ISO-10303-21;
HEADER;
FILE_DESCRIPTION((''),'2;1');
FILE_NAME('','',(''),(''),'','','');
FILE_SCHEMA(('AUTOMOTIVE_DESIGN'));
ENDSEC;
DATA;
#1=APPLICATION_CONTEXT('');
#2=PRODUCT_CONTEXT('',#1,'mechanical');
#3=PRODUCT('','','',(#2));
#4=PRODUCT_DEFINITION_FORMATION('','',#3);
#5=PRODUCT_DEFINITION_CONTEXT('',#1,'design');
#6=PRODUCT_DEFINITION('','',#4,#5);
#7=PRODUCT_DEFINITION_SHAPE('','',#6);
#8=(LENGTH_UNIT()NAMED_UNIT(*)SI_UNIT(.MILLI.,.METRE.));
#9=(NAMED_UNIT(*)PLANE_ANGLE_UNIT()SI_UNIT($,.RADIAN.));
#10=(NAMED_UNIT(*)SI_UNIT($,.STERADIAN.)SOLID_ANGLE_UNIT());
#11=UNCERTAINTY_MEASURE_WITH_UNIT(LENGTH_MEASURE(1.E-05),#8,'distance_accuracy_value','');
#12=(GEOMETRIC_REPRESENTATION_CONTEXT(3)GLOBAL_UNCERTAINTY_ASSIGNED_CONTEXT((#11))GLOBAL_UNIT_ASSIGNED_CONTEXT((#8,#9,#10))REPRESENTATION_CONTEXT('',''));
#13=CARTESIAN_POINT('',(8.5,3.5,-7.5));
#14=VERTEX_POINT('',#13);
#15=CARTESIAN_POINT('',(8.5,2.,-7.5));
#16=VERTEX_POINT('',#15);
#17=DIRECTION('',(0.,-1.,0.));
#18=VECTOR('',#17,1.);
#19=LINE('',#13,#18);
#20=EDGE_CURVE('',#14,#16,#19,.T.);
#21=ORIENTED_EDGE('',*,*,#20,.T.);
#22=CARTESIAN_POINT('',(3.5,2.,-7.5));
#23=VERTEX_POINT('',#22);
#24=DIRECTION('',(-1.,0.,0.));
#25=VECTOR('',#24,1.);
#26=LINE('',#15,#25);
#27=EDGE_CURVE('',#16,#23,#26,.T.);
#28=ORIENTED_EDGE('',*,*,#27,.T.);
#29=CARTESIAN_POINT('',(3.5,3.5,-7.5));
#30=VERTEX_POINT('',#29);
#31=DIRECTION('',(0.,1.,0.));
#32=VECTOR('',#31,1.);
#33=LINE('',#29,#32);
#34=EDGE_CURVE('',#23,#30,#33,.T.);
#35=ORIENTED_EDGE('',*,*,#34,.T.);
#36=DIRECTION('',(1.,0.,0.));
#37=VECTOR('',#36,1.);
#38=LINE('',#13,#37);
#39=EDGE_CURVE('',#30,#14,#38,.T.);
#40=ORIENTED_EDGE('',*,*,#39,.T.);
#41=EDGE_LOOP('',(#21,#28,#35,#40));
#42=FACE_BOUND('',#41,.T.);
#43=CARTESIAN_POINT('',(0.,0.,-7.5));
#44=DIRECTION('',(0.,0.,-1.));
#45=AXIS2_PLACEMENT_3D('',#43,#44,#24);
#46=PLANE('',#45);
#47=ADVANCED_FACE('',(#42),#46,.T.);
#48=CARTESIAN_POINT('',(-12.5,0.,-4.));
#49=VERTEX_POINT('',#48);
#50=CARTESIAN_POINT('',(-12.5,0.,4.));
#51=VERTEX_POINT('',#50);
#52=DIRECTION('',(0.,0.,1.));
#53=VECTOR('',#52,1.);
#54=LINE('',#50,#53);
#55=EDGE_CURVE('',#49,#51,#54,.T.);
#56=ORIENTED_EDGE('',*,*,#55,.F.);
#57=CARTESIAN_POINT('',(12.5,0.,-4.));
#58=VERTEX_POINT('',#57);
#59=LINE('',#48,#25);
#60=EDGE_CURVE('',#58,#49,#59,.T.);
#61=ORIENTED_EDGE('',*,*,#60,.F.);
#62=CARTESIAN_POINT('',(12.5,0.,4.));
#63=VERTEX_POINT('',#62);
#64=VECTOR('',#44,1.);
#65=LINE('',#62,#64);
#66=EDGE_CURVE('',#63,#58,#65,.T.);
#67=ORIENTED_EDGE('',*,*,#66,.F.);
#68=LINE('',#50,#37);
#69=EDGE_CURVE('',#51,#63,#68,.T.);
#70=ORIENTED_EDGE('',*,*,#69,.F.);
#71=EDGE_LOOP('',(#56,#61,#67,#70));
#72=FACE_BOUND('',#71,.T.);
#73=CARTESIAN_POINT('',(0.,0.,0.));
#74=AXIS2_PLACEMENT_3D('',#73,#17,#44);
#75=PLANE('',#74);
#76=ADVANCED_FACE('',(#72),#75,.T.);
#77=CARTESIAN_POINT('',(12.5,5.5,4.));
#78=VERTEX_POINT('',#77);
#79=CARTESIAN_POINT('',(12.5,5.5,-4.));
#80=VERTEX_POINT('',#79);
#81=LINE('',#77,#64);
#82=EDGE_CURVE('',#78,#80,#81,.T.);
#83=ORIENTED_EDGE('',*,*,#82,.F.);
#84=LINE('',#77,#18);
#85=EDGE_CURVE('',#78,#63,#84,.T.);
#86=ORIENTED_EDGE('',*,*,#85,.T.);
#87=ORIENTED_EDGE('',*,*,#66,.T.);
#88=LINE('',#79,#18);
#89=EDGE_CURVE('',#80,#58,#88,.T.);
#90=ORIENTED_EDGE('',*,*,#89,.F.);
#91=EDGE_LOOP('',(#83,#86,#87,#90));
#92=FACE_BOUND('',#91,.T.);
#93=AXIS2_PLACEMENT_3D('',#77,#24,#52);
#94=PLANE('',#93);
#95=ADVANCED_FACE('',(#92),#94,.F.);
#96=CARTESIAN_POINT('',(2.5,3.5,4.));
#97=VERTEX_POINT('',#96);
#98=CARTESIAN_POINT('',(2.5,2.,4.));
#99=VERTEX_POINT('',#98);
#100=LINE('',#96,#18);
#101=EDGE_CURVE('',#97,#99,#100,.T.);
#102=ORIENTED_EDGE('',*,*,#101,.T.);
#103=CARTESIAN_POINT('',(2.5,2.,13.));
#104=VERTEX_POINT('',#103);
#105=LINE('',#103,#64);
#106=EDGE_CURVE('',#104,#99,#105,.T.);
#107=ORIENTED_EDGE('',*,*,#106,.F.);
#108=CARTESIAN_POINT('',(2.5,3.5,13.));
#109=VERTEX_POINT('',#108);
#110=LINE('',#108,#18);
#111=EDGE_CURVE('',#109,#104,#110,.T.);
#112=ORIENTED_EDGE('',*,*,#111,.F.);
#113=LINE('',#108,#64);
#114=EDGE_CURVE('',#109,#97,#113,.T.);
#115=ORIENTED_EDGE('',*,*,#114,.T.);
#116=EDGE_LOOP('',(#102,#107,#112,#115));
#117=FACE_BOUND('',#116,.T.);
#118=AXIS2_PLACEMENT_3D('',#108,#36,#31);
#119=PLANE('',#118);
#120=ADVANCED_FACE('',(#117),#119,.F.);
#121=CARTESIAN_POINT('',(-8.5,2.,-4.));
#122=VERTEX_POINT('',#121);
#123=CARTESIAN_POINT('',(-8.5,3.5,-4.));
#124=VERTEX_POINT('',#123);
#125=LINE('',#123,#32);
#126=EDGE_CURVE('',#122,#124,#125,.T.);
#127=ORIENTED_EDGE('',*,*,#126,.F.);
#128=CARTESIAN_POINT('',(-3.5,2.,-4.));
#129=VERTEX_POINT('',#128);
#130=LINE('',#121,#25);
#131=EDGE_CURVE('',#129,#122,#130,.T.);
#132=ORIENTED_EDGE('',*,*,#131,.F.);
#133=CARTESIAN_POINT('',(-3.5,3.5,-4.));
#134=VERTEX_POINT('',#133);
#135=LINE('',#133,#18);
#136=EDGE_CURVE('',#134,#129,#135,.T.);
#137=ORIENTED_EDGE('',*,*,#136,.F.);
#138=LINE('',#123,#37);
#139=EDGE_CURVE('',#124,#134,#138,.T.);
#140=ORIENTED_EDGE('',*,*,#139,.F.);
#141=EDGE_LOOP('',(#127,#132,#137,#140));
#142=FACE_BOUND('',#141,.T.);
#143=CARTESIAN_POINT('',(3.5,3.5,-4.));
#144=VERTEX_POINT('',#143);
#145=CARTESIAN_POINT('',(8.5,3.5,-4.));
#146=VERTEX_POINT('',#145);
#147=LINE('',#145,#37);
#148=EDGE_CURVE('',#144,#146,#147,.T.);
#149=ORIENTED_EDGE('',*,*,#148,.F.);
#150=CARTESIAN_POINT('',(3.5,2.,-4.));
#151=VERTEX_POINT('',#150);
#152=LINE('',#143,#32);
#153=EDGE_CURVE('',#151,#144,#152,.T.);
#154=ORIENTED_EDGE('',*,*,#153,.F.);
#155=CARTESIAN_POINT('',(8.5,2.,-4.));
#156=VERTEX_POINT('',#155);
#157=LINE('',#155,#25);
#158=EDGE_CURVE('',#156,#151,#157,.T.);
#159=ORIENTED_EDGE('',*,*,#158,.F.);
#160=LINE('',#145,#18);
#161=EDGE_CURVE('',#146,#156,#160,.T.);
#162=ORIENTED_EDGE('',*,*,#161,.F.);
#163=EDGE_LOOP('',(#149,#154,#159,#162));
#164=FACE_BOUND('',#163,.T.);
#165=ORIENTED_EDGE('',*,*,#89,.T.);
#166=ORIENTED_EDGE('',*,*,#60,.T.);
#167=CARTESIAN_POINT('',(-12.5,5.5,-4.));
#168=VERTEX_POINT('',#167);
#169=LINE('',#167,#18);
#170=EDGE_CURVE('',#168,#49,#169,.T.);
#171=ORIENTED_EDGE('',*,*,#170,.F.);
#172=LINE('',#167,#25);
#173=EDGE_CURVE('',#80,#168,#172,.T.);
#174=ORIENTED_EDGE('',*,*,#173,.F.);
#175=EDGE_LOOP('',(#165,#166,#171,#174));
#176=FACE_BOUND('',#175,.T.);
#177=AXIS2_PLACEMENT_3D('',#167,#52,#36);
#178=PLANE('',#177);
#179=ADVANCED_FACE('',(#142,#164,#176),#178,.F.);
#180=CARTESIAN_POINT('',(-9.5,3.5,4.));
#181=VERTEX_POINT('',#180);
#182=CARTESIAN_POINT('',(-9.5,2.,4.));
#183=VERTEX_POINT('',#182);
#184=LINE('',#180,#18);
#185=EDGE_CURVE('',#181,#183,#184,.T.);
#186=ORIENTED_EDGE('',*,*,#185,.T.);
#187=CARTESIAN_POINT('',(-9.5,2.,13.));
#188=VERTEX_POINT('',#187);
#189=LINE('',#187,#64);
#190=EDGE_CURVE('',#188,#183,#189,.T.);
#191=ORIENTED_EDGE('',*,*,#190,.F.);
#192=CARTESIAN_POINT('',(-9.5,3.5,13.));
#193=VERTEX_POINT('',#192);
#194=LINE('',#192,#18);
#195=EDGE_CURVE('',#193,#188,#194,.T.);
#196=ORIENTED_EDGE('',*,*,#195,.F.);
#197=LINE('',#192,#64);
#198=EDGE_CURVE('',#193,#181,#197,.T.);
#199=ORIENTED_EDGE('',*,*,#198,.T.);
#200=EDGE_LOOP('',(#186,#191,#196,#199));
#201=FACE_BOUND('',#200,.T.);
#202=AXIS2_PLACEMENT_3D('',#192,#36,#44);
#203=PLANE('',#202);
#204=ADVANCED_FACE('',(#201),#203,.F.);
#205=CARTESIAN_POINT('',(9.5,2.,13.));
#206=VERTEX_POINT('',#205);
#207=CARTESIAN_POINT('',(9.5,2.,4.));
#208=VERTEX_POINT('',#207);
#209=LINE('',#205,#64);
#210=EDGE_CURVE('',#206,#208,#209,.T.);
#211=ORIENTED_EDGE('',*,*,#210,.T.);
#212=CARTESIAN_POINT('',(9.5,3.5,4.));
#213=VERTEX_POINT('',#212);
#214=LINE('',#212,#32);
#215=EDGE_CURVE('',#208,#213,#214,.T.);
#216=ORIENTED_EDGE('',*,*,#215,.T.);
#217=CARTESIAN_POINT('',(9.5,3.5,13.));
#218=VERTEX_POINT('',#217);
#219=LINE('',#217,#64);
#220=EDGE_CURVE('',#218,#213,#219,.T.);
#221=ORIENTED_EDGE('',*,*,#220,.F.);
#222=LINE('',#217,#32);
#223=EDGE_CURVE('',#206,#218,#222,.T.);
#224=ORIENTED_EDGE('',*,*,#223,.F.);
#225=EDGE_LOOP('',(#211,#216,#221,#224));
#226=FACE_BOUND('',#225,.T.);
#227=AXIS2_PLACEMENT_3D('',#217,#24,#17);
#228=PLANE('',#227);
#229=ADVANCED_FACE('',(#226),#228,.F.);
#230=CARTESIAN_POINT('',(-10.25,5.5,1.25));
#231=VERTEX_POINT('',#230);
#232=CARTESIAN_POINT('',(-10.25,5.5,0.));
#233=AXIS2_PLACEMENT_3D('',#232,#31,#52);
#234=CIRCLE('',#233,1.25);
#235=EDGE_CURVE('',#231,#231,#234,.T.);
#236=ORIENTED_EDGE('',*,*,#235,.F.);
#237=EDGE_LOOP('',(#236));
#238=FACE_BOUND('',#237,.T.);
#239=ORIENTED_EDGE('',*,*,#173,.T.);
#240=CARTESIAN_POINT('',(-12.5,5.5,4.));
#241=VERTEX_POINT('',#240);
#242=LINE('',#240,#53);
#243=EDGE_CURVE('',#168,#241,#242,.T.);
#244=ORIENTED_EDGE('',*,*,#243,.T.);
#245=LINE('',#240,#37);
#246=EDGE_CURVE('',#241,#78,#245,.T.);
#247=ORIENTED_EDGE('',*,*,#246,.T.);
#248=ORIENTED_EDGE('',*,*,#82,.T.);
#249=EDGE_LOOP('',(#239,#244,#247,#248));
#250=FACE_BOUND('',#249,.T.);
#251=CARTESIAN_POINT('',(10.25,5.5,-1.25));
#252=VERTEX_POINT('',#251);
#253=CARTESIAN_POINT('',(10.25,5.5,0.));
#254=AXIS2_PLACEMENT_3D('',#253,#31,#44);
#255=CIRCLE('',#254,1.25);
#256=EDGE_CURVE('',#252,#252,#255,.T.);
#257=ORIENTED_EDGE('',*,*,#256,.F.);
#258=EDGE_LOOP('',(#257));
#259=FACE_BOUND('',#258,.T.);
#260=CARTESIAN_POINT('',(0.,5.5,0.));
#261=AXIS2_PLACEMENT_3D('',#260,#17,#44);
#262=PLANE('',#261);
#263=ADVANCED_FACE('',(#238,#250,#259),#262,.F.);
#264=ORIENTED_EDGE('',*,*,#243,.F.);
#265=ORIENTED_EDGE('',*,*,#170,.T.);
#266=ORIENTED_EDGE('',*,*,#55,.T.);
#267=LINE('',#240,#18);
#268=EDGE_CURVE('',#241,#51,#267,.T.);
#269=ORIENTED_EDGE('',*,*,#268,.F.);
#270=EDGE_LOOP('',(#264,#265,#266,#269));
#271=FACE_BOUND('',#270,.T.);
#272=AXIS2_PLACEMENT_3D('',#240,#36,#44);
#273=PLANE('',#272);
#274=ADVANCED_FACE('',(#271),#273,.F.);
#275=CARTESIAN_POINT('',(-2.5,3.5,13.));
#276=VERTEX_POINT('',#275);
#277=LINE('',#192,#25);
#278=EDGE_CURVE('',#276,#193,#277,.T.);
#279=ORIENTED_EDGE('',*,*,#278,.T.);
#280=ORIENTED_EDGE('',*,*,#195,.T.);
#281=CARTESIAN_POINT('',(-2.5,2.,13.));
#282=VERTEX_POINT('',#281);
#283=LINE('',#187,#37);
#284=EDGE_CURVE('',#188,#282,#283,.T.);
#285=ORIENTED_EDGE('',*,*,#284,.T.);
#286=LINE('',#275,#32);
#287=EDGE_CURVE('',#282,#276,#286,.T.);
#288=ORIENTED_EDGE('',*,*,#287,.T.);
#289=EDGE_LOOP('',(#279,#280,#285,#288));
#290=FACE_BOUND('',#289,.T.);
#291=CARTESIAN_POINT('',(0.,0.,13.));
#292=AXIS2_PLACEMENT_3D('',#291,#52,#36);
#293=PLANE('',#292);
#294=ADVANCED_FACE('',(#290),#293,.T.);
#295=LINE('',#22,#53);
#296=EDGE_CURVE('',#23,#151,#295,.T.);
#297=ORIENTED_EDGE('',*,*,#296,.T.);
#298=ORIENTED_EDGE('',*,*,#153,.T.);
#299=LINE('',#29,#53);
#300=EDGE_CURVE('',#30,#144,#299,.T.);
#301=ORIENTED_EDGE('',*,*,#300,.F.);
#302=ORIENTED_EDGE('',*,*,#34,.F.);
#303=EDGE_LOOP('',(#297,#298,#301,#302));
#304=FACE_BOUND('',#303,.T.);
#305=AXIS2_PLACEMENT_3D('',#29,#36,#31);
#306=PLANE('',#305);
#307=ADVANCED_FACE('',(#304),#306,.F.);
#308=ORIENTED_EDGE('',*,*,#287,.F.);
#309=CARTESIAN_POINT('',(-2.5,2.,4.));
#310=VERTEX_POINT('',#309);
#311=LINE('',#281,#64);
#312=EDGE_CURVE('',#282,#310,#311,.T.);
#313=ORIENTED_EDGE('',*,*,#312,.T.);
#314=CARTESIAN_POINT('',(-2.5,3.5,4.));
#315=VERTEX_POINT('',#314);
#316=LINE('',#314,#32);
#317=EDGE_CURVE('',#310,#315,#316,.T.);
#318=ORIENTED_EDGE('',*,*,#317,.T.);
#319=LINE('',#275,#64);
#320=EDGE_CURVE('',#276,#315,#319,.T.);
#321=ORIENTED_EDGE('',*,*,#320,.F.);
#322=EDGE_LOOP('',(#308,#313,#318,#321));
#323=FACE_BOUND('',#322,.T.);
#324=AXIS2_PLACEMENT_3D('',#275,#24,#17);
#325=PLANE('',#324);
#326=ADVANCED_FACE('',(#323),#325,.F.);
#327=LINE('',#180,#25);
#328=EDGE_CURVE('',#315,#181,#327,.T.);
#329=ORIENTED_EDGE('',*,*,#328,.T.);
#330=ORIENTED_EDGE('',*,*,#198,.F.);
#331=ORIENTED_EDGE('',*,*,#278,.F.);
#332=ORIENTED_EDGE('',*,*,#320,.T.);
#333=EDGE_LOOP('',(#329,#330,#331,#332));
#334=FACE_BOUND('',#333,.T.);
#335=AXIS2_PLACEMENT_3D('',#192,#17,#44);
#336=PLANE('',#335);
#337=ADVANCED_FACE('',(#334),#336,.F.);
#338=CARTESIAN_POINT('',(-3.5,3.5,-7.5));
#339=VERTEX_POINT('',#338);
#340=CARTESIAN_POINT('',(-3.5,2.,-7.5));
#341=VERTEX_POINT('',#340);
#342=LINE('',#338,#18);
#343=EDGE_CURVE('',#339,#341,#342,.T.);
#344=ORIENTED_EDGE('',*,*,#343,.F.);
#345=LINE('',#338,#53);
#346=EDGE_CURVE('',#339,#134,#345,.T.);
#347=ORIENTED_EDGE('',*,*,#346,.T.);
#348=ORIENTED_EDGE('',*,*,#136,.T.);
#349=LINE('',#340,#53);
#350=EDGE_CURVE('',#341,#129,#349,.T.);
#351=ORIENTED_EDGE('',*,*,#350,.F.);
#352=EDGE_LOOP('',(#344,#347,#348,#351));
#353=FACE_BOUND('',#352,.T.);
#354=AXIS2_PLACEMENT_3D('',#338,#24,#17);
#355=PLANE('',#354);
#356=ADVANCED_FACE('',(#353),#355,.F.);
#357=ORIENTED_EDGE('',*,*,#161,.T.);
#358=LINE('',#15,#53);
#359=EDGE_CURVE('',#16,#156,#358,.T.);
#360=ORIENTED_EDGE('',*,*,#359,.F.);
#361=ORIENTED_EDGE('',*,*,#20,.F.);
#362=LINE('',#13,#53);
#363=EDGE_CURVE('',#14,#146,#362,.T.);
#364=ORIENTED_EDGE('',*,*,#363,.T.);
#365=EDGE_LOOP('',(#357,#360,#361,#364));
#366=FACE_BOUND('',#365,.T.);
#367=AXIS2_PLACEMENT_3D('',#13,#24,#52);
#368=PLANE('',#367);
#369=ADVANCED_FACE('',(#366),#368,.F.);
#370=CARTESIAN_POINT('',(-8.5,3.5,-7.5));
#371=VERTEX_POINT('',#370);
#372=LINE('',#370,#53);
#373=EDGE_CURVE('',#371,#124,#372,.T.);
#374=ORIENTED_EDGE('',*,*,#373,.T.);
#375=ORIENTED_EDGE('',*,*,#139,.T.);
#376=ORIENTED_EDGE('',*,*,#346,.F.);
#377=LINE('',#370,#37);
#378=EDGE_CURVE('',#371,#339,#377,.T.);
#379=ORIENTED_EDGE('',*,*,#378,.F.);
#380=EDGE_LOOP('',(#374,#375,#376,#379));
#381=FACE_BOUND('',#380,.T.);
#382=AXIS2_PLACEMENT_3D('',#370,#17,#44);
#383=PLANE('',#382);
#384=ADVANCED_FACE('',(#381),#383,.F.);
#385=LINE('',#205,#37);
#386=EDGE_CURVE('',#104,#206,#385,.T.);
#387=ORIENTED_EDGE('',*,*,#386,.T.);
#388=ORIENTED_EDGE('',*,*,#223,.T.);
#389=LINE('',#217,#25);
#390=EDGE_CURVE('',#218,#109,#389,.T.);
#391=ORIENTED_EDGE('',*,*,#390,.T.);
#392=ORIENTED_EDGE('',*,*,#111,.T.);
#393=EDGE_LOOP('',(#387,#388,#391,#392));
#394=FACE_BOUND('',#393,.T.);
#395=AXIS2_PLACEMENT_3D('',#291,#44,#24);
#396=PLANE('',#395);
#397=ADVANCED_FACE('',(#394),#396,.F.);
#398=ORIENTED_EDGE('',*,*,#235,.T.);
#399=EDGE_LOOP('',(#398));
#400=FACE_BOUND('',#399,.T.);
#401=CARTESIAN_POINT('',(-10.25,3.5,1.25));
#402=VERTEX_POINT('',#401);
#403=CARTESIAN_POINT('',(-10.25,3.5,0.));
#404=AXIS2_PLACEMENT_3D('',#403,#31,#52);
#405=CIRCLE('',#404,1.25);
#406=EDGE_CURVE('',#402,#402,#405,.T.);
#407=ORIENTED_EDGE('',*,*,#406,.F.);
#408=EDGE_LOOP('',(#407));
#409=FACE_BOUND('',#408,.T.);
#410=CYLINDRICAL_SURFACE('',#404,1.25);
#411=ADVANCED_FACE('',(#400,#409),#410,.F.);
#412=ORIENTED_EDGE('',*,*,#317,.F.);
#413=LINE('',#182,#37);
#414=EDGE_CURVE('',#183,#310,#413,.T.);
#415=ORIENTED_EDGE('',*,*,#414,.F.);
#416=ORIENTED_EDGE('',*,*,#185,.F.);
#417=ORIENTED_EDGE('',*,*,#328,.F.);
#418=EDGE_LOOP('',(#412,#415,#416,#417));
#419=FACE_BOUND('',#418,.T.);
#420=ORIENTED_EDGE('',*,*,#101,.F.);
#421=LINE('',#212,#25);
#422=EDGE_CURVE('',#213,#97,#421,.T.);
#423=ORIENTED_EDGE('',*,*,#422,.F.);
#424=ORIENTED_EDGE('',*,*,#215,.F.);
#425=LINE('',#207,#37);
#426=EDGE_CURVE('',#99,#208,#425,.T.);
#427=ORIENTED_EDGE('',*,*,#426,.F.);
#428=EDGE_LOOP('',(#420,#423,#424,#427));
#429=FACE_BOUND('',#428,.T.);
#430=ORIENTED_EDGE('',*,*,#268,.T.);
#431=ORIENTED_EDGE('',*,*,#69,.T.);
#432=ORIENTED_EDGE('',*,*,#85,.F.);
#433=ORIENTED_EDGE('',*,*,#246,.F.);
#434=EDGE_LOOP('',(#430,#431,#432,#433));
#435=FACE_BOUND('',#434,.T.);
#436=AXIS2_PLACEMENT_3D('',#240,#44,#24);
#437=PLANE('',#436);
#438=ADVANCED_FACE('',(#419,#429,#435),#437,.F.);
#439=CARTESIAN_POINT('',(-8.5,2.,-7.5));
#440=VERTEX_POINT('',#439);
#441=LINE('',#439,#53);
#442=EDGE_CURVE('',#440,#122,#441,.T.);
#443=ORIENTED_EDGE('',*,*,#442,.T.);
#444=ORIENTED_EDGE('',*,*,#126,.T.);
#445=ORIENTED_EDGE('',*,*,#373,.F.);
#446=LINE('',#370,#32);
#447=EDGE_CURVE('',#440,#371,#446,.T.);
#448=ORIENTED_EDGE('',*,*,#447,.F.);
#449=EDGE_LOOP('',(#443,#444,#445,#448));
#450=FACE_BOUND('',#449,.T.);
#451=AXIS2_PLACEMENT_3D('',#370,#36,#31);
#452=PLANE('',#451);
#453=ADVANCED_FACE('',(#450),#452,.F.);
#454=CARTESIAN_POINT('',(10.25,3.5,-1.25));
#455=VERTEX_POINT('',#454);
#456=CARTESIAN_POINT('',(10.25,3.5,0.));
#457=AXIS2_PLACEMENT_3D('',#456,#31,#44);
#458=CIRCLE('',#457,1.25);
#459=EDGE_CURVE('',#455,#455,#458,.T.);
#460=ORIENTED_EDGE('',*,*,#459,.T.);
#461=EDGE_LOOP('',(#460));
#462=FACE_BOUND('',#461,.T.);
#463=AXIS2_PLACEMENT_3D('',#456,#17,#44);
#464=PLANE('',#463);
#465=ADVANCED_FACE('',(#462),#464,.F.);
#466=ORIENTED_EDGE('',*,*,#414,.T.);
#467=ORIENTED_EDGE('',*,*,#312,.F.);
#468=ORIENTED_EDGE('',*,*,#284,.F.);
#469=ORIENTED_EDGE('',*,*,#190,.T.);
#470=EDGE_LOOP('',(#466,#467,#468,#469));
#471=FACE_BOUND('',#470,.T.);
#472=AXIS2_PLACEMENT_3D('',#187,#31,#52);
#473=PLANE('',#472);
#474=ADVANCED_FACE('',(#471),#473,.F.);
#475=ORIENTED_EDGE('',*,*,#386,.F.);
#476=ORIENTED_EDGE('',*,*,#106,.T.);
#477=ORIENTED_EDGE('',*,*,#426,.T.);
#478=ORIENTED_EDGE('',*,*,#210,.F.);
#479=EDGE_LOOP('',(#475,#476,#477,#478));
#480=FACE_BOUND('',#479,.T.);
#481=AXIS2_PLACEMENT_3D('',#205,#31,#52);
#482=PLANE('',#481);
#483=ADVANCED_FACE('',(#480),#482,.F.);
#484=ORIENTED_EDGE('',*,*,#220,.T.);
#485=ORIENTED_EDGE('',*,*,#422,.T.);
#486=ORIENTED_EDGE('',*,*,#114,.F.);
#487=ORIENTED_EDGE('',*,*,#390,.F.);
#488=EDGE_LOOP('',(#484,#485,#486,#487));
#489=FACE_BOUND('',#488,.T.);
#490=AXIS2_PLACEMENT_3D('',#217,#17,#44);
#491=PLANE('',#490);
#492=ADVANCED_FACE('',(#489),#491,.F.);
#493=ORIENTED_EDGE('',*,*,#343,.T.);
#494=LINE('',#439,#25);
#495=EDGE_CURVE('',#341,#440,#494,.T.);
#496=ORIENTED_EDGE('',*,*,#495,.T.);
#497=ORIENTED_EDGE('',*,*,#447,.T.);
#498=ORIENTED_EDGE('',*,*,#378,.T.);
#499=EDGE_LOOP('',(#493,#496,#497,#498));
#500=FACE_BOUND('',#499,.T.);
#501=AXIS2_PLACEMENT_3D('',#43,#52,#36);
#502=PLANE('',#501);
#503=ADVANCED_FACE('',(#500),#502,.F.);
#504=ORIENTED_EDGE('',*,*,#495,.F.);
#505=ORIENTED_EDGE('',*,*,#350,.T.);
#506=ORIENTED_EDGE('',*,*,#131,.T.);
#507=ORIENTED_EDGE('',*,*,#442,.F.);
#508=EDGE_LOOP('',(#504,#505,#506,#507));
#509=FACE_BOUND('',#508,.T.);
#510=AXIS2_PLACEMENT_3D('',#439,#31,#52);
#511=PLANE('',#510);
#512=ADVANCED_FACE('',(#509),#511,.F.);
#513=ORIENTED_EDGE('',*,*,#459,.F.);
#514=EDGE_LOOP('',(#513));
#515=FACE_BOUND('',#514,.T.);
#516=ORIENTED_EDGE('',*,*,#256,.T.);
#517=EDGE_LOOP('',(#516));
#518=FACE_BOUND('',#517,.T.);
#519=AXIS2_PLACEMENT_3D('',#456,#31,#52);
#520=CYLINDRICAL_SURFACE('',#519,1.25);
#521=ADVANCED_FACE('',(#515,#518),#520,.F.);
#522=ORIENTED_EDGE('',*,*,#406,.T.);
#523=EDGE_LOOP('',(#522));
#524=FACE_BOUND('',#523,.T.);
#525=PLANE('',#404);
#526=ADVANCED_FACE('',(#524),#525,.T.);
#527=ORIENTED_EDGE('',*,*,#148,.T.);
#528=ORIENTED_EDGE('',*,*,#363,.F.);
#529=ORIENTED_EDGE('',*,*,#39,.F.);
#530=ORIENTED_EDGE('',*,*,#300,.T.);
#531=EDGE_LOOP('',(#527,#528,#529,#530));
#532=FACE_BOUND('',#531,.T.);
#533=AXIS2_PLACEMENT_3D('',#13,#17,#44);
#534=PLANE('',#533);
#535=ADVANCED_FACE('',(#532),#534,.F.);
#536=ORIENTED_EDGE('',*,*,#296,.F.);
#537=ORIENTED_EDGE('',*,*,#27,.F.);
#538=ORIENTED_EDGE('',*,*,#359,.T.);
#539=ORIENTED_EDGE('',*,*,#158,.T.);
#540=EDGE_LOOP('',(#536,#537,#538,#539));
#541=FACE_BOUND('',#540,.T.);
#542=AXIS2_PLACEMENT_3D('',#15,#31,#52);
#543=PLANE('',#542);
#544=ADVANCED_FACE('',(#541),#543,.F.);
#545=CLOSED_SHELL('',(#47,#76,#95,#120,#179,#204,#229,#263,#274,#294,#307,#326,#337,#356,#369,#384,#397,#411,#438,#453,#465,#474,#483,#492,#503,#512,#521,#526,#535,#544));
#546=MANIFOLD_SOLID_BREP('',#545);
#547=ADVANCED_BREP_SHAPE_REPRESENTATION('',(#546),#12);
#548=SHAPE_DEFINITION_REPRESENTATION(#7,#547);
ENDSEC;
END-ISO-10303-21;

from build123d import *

# Parameters (mm, degrees)
SKETCH_1_W          = 25
SKETCH_1_H          = 8
EXTRUDE_1_DEPTH     = 5.5
SKETCH_3_W          = 7
SKETCH_3_H          = 1.5
EXTRUDE_3_DEPTH     = 9
SKETCH_4_W          = 5
SKETCH_4_H          = 1.5
EXTRUDE_4_DEPTH     = 3.5
SKETCH_5_R          = 1.25
CUT_EXTRUDE_1_DEPTH = 2


with BuildPart() as part:
    # 草图1 → 凸台-拉伸1 (new body)
    with BuildSketch(Plane(origin=(0, 0, 0), x_dir=(1, 0, 0), z_dir=(0, 1, 0))):
        Rectangle(SKETCH_1_W, SKETCH_1_H)
    extrude(amount=EXTRUDE_1_DEPTH)

    # 草图3 → 凸台-拉伸3 (add)
    with BuildSketch(Plane.XY.offset(4)):
        with Locations((-6, 2.75)):
            Rectangle(SKETCH_3_W, SKETCH_3_H)
        with Locations((6, 2.75)):
            Rectangle(SKETCH_3_W, SKETCH_3_H)
    extrude(amount=EXTRUDE_3_DEPTH)

    # 草图4 → 凸台-拉伸4 (add)
    with BuildSketch(Plane(origin=(0, 0, -4), x_dir=(-1, 0, 0), z_dir=(0, 0, -1))):
        with Locations((-6, 2.75)):
            Rectangle(SKETCH_4_W, SKETCH_4_H)
        with Locations((6, 2.75)):
            Rectangle(SKETCH_4_W, SKETCH_4_H)
    extrude(amount=EXTRUDE_4_DEPTH)

    # 草图5 → 切除-拉伸1 (cut)
    with BuildSketch(Plane(origin=(0, 5.5, 0), x_dir=(1, 0, 0), z_dir=(0, 1, 0))):
        with Locations(Location((-10.25, 0, 0), (0, 0, 270))):
            Circle(SKETCH_5_R)
        with Locations(Location((10.25, 0, 0), (0, 0, 90))):
            Circle(SKETCH_5_R)
    extrude(amount=-CUT_EXTRUDE_1_DEPTH, mode=Mode.SUBTRACT)


solid = part.part
